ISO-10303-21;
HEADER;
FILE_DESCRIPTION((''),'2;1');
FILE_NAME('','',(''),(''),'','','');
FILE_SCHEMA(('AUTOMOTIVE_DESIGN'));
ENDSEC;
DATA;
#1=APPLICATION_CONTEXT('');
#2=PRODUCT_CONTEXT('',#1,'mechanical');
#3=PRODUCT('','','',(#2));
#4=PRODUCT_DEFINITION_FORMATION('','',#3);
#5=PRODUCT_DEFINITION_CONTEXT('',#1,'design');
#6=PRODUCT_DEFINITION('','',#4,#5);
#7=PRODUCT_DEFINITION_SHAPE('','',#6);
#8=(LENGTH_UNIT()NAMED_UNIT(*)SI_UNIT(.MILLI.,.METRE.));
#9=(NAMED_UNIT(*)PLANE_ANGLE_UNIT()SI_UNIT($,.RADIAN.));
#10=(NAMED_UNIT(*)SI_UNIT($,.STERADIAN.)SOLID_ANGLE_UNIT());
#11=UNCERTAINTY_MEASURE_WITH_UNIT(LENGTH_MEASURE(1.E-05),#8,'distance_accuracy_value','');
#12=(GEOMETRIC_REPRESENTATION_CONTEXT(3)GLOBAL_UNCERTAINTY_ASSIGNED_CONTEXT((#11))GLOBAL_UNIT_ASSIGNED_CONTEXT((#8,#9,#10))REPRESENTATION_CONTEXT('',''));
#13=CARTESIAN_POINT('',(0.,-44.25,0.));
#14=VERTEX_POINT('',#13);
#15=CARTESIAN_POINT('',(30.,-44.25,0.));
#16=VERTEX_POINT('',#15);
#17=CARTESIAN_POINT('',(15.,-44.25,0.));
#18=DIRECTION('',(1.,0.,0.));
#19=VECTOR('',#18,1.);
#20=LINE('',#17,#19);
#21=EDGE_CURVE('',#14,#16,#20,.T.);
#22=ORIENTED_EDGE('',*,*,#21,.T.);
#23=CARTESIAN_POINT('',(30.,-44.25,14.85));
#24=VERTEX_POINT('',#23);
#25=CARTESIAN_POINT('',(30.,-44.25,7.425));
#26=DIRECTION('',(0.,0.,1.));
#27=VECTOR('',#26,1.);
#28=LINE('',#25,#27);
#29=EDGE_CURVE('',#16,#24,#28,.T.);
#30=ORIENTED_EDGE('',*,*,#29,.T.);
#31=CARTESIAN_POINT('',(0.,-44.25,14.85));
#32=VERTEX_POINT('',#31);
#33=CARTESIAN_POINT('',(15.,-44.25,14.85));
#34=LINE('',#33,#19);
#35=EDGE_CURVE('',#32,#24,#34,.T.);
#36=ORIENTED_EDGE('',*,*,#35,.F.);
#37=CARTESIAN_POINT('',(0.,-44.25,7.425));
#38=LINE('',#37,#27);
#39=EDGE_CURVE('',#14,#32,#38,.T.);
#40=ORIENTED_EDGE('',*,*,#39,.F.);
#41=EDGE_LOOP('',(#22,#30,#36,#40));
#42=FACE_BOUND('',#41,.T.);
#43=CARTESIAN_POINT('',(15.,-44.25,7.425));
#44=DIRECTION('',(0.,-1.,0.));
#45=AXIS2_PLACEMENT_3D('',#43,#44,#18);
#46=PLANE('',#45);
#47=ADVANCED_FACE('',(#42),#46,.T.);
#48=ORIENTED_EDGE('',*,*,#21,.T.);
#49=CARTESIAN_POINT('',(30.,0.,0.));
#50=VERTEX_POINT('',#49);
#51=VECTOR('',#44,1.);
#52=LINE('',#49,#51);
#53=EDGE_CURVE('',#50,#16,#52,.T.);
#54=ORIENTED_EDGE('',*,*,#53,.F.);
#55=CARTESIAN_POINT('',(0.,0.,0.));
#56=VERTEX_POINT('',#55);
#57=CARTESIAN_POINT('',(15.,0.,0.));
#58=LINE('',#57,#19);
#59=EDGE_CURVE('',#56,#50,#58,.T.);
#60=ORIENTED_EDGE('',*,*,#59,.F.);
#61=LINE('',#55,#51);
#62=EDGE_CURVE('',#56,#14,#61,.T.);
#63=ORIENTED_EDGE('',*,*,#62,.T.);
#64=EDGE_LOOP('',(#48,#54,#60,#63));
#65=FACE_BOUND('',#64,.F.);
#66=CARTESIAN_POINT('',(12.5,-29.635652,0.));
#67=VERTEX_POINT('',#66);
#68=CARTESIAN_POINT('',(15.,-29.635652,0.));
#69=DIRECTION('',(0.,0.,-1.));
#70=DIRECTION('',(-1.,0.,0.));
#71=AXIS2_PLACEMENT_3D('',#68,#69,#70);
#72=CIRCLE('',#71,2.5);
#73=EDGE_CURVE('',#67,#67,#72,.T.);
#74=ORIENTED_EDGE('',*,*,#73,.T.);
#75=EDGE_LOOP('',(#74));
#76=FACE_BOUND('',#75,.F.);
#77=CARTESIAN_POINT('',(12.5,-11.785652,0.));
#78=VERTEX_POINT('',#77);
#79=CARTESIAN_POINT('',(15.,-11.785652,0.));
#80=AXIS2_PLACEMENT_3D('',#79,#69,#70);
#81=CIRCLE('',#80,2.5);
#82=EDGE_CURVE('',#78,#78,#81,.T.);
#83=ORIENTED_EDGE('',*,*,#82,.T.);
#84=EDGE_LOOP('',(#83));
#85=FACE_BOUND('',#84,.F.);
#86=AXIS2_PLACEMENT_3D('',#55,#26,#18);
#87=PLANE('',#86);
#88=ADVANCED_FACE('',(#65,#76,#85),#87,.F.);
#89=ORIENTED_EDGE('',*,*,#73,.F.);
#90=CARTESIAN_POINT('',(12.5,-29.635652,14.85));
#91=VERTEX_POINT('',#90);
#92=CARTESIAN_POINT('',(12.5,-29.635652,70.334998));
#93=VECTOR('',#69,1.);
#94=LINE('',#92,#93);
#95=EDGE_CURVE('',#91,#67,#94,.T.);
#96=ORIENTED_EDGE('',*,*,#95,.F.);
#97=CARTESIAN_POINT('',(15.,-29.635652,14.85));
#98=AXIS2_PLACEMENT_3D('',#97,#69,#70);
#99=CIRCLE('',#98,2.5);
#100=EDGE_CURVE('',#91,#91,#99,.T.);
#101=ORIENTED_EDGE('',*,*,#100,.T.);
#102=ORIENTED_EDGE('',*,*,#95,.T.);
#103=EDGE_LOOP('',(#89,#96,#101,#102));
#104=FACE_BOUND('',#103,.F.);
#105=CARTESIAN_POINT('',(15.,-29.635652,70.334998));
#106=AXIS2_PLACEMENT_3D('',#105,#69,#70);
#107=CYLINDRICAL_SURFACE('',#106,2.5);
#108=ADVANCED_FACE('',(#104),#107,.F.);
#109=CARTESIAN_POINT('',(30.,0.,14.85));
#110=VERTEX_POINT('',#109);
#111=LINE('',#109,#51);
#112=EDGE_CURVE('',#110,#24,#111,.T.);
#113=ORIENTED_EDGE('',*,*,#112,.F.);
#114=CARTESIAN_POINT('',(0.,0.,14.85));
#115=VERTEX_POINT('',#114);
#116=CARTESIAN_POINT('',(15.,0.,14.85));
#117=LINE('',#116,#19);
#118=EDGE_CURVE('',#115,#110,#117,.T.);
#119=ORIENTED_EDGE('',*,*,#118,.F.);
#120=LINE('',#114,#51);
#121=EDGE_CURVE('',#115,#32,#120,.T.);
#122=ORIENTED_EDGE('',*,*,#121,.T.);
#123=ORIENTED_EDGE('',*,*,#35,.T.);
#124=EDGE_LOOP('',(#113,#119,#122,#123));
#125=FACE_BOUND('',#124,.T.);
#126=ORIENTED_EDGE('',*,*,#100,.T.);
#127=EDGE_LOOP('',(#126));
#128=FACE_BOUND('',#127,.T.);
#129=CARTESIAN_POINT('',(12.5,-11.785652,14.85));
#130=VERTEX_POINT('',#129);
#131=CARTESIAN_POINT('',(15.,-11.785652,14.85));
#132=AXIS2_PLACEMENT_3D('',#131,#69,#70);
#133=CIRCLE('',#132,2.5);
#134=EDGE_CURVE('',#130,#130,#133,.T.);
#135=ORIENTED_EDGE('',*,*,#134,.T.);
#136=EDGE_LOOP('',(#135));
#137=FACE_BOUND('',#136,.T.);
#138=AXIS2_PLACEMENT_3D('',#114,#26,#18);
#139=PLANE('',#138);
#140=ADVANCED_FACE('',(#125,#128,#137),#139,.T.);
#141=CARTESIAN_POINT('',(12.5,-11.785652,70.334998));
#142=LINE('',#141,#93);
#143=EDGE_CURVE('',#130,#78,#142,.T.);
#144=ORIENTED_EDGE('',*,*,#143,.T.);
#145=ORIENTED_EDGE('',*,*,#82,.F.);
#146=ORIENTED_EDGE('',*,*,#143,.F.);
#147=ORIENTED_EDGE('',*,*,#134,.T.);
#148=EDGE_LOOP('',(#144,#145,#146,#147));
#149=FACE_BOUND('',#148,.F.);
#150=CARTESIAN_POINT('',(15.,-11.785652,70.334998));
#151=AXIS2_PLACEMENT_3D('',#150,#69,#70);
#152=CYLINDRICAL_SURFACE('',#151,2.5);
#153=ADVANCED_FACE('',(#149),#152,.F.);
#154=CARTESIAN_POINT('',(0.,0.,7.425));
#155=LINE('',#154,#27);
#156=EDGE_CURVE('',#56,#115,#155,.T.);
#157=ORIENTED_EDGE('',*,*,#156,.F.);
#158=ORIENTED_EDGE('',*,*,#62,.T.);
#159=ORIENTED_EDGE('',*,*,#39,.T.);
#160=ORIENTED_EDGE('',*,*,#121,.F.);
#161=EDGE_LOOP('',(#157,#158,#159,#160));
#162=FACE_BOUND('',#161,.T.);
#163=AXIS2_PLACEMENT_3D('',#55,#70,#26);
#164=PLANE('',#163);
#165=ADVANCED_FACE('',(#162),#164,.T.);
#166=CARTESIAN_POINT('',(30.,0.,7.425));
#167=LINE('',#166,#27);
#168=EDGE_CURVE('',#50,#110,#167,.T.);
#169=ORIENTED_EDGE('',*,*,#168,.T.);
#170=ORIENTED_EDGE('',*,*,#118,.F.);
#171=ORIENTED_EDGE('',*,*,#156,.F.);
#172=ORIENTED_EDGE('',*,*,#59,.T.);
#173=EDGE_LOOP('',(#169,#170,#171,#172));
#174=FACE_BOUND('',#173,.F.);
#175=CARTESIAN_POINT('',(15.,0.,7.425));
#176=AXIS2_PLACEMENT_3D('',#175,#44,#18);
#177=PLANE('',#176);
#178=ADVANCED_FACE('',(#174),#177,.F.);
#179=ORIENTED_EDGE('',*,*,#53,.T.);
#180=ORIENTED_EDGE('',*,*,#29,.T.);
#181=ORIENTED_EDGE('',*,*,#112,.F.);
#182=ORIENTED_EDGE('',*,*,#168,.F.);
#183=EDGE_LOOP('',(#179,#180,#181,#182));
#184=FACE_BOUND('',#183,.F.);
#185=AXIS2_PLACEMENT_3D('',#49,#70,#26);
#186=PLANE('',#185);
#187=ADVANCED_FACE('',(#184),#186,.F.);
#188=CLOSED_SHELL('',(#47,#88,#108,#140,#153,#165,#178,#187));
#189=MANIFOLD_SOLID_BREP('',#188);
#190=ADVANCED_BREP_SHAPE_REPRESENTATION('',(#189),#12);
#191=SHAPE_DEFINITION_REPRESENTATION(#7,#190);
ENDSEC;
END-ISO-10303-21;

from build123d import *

# Parameters (mm, degrees)
F0_W     = 30
F0_H     = 14.85
F1_DEPTH = 44.25
F3_D     = 5


with BuildPart() as f1:
    # F0 (on Front) → F1 (new body)
    with BuildSketch(Plane.XZ):
        with Locations((15, 7.425)):
            Rectangle(F0_W, F0_H)
    extrude(amount=F1_DEPTH)

    # F3 (through all)
    with Locations(Plane.XY.offset(14.85)):
        with Locations((15, -11.7856515571), (15, -29.6356515571)):
            Hole(F3_D / 2)


solid = f1.part
